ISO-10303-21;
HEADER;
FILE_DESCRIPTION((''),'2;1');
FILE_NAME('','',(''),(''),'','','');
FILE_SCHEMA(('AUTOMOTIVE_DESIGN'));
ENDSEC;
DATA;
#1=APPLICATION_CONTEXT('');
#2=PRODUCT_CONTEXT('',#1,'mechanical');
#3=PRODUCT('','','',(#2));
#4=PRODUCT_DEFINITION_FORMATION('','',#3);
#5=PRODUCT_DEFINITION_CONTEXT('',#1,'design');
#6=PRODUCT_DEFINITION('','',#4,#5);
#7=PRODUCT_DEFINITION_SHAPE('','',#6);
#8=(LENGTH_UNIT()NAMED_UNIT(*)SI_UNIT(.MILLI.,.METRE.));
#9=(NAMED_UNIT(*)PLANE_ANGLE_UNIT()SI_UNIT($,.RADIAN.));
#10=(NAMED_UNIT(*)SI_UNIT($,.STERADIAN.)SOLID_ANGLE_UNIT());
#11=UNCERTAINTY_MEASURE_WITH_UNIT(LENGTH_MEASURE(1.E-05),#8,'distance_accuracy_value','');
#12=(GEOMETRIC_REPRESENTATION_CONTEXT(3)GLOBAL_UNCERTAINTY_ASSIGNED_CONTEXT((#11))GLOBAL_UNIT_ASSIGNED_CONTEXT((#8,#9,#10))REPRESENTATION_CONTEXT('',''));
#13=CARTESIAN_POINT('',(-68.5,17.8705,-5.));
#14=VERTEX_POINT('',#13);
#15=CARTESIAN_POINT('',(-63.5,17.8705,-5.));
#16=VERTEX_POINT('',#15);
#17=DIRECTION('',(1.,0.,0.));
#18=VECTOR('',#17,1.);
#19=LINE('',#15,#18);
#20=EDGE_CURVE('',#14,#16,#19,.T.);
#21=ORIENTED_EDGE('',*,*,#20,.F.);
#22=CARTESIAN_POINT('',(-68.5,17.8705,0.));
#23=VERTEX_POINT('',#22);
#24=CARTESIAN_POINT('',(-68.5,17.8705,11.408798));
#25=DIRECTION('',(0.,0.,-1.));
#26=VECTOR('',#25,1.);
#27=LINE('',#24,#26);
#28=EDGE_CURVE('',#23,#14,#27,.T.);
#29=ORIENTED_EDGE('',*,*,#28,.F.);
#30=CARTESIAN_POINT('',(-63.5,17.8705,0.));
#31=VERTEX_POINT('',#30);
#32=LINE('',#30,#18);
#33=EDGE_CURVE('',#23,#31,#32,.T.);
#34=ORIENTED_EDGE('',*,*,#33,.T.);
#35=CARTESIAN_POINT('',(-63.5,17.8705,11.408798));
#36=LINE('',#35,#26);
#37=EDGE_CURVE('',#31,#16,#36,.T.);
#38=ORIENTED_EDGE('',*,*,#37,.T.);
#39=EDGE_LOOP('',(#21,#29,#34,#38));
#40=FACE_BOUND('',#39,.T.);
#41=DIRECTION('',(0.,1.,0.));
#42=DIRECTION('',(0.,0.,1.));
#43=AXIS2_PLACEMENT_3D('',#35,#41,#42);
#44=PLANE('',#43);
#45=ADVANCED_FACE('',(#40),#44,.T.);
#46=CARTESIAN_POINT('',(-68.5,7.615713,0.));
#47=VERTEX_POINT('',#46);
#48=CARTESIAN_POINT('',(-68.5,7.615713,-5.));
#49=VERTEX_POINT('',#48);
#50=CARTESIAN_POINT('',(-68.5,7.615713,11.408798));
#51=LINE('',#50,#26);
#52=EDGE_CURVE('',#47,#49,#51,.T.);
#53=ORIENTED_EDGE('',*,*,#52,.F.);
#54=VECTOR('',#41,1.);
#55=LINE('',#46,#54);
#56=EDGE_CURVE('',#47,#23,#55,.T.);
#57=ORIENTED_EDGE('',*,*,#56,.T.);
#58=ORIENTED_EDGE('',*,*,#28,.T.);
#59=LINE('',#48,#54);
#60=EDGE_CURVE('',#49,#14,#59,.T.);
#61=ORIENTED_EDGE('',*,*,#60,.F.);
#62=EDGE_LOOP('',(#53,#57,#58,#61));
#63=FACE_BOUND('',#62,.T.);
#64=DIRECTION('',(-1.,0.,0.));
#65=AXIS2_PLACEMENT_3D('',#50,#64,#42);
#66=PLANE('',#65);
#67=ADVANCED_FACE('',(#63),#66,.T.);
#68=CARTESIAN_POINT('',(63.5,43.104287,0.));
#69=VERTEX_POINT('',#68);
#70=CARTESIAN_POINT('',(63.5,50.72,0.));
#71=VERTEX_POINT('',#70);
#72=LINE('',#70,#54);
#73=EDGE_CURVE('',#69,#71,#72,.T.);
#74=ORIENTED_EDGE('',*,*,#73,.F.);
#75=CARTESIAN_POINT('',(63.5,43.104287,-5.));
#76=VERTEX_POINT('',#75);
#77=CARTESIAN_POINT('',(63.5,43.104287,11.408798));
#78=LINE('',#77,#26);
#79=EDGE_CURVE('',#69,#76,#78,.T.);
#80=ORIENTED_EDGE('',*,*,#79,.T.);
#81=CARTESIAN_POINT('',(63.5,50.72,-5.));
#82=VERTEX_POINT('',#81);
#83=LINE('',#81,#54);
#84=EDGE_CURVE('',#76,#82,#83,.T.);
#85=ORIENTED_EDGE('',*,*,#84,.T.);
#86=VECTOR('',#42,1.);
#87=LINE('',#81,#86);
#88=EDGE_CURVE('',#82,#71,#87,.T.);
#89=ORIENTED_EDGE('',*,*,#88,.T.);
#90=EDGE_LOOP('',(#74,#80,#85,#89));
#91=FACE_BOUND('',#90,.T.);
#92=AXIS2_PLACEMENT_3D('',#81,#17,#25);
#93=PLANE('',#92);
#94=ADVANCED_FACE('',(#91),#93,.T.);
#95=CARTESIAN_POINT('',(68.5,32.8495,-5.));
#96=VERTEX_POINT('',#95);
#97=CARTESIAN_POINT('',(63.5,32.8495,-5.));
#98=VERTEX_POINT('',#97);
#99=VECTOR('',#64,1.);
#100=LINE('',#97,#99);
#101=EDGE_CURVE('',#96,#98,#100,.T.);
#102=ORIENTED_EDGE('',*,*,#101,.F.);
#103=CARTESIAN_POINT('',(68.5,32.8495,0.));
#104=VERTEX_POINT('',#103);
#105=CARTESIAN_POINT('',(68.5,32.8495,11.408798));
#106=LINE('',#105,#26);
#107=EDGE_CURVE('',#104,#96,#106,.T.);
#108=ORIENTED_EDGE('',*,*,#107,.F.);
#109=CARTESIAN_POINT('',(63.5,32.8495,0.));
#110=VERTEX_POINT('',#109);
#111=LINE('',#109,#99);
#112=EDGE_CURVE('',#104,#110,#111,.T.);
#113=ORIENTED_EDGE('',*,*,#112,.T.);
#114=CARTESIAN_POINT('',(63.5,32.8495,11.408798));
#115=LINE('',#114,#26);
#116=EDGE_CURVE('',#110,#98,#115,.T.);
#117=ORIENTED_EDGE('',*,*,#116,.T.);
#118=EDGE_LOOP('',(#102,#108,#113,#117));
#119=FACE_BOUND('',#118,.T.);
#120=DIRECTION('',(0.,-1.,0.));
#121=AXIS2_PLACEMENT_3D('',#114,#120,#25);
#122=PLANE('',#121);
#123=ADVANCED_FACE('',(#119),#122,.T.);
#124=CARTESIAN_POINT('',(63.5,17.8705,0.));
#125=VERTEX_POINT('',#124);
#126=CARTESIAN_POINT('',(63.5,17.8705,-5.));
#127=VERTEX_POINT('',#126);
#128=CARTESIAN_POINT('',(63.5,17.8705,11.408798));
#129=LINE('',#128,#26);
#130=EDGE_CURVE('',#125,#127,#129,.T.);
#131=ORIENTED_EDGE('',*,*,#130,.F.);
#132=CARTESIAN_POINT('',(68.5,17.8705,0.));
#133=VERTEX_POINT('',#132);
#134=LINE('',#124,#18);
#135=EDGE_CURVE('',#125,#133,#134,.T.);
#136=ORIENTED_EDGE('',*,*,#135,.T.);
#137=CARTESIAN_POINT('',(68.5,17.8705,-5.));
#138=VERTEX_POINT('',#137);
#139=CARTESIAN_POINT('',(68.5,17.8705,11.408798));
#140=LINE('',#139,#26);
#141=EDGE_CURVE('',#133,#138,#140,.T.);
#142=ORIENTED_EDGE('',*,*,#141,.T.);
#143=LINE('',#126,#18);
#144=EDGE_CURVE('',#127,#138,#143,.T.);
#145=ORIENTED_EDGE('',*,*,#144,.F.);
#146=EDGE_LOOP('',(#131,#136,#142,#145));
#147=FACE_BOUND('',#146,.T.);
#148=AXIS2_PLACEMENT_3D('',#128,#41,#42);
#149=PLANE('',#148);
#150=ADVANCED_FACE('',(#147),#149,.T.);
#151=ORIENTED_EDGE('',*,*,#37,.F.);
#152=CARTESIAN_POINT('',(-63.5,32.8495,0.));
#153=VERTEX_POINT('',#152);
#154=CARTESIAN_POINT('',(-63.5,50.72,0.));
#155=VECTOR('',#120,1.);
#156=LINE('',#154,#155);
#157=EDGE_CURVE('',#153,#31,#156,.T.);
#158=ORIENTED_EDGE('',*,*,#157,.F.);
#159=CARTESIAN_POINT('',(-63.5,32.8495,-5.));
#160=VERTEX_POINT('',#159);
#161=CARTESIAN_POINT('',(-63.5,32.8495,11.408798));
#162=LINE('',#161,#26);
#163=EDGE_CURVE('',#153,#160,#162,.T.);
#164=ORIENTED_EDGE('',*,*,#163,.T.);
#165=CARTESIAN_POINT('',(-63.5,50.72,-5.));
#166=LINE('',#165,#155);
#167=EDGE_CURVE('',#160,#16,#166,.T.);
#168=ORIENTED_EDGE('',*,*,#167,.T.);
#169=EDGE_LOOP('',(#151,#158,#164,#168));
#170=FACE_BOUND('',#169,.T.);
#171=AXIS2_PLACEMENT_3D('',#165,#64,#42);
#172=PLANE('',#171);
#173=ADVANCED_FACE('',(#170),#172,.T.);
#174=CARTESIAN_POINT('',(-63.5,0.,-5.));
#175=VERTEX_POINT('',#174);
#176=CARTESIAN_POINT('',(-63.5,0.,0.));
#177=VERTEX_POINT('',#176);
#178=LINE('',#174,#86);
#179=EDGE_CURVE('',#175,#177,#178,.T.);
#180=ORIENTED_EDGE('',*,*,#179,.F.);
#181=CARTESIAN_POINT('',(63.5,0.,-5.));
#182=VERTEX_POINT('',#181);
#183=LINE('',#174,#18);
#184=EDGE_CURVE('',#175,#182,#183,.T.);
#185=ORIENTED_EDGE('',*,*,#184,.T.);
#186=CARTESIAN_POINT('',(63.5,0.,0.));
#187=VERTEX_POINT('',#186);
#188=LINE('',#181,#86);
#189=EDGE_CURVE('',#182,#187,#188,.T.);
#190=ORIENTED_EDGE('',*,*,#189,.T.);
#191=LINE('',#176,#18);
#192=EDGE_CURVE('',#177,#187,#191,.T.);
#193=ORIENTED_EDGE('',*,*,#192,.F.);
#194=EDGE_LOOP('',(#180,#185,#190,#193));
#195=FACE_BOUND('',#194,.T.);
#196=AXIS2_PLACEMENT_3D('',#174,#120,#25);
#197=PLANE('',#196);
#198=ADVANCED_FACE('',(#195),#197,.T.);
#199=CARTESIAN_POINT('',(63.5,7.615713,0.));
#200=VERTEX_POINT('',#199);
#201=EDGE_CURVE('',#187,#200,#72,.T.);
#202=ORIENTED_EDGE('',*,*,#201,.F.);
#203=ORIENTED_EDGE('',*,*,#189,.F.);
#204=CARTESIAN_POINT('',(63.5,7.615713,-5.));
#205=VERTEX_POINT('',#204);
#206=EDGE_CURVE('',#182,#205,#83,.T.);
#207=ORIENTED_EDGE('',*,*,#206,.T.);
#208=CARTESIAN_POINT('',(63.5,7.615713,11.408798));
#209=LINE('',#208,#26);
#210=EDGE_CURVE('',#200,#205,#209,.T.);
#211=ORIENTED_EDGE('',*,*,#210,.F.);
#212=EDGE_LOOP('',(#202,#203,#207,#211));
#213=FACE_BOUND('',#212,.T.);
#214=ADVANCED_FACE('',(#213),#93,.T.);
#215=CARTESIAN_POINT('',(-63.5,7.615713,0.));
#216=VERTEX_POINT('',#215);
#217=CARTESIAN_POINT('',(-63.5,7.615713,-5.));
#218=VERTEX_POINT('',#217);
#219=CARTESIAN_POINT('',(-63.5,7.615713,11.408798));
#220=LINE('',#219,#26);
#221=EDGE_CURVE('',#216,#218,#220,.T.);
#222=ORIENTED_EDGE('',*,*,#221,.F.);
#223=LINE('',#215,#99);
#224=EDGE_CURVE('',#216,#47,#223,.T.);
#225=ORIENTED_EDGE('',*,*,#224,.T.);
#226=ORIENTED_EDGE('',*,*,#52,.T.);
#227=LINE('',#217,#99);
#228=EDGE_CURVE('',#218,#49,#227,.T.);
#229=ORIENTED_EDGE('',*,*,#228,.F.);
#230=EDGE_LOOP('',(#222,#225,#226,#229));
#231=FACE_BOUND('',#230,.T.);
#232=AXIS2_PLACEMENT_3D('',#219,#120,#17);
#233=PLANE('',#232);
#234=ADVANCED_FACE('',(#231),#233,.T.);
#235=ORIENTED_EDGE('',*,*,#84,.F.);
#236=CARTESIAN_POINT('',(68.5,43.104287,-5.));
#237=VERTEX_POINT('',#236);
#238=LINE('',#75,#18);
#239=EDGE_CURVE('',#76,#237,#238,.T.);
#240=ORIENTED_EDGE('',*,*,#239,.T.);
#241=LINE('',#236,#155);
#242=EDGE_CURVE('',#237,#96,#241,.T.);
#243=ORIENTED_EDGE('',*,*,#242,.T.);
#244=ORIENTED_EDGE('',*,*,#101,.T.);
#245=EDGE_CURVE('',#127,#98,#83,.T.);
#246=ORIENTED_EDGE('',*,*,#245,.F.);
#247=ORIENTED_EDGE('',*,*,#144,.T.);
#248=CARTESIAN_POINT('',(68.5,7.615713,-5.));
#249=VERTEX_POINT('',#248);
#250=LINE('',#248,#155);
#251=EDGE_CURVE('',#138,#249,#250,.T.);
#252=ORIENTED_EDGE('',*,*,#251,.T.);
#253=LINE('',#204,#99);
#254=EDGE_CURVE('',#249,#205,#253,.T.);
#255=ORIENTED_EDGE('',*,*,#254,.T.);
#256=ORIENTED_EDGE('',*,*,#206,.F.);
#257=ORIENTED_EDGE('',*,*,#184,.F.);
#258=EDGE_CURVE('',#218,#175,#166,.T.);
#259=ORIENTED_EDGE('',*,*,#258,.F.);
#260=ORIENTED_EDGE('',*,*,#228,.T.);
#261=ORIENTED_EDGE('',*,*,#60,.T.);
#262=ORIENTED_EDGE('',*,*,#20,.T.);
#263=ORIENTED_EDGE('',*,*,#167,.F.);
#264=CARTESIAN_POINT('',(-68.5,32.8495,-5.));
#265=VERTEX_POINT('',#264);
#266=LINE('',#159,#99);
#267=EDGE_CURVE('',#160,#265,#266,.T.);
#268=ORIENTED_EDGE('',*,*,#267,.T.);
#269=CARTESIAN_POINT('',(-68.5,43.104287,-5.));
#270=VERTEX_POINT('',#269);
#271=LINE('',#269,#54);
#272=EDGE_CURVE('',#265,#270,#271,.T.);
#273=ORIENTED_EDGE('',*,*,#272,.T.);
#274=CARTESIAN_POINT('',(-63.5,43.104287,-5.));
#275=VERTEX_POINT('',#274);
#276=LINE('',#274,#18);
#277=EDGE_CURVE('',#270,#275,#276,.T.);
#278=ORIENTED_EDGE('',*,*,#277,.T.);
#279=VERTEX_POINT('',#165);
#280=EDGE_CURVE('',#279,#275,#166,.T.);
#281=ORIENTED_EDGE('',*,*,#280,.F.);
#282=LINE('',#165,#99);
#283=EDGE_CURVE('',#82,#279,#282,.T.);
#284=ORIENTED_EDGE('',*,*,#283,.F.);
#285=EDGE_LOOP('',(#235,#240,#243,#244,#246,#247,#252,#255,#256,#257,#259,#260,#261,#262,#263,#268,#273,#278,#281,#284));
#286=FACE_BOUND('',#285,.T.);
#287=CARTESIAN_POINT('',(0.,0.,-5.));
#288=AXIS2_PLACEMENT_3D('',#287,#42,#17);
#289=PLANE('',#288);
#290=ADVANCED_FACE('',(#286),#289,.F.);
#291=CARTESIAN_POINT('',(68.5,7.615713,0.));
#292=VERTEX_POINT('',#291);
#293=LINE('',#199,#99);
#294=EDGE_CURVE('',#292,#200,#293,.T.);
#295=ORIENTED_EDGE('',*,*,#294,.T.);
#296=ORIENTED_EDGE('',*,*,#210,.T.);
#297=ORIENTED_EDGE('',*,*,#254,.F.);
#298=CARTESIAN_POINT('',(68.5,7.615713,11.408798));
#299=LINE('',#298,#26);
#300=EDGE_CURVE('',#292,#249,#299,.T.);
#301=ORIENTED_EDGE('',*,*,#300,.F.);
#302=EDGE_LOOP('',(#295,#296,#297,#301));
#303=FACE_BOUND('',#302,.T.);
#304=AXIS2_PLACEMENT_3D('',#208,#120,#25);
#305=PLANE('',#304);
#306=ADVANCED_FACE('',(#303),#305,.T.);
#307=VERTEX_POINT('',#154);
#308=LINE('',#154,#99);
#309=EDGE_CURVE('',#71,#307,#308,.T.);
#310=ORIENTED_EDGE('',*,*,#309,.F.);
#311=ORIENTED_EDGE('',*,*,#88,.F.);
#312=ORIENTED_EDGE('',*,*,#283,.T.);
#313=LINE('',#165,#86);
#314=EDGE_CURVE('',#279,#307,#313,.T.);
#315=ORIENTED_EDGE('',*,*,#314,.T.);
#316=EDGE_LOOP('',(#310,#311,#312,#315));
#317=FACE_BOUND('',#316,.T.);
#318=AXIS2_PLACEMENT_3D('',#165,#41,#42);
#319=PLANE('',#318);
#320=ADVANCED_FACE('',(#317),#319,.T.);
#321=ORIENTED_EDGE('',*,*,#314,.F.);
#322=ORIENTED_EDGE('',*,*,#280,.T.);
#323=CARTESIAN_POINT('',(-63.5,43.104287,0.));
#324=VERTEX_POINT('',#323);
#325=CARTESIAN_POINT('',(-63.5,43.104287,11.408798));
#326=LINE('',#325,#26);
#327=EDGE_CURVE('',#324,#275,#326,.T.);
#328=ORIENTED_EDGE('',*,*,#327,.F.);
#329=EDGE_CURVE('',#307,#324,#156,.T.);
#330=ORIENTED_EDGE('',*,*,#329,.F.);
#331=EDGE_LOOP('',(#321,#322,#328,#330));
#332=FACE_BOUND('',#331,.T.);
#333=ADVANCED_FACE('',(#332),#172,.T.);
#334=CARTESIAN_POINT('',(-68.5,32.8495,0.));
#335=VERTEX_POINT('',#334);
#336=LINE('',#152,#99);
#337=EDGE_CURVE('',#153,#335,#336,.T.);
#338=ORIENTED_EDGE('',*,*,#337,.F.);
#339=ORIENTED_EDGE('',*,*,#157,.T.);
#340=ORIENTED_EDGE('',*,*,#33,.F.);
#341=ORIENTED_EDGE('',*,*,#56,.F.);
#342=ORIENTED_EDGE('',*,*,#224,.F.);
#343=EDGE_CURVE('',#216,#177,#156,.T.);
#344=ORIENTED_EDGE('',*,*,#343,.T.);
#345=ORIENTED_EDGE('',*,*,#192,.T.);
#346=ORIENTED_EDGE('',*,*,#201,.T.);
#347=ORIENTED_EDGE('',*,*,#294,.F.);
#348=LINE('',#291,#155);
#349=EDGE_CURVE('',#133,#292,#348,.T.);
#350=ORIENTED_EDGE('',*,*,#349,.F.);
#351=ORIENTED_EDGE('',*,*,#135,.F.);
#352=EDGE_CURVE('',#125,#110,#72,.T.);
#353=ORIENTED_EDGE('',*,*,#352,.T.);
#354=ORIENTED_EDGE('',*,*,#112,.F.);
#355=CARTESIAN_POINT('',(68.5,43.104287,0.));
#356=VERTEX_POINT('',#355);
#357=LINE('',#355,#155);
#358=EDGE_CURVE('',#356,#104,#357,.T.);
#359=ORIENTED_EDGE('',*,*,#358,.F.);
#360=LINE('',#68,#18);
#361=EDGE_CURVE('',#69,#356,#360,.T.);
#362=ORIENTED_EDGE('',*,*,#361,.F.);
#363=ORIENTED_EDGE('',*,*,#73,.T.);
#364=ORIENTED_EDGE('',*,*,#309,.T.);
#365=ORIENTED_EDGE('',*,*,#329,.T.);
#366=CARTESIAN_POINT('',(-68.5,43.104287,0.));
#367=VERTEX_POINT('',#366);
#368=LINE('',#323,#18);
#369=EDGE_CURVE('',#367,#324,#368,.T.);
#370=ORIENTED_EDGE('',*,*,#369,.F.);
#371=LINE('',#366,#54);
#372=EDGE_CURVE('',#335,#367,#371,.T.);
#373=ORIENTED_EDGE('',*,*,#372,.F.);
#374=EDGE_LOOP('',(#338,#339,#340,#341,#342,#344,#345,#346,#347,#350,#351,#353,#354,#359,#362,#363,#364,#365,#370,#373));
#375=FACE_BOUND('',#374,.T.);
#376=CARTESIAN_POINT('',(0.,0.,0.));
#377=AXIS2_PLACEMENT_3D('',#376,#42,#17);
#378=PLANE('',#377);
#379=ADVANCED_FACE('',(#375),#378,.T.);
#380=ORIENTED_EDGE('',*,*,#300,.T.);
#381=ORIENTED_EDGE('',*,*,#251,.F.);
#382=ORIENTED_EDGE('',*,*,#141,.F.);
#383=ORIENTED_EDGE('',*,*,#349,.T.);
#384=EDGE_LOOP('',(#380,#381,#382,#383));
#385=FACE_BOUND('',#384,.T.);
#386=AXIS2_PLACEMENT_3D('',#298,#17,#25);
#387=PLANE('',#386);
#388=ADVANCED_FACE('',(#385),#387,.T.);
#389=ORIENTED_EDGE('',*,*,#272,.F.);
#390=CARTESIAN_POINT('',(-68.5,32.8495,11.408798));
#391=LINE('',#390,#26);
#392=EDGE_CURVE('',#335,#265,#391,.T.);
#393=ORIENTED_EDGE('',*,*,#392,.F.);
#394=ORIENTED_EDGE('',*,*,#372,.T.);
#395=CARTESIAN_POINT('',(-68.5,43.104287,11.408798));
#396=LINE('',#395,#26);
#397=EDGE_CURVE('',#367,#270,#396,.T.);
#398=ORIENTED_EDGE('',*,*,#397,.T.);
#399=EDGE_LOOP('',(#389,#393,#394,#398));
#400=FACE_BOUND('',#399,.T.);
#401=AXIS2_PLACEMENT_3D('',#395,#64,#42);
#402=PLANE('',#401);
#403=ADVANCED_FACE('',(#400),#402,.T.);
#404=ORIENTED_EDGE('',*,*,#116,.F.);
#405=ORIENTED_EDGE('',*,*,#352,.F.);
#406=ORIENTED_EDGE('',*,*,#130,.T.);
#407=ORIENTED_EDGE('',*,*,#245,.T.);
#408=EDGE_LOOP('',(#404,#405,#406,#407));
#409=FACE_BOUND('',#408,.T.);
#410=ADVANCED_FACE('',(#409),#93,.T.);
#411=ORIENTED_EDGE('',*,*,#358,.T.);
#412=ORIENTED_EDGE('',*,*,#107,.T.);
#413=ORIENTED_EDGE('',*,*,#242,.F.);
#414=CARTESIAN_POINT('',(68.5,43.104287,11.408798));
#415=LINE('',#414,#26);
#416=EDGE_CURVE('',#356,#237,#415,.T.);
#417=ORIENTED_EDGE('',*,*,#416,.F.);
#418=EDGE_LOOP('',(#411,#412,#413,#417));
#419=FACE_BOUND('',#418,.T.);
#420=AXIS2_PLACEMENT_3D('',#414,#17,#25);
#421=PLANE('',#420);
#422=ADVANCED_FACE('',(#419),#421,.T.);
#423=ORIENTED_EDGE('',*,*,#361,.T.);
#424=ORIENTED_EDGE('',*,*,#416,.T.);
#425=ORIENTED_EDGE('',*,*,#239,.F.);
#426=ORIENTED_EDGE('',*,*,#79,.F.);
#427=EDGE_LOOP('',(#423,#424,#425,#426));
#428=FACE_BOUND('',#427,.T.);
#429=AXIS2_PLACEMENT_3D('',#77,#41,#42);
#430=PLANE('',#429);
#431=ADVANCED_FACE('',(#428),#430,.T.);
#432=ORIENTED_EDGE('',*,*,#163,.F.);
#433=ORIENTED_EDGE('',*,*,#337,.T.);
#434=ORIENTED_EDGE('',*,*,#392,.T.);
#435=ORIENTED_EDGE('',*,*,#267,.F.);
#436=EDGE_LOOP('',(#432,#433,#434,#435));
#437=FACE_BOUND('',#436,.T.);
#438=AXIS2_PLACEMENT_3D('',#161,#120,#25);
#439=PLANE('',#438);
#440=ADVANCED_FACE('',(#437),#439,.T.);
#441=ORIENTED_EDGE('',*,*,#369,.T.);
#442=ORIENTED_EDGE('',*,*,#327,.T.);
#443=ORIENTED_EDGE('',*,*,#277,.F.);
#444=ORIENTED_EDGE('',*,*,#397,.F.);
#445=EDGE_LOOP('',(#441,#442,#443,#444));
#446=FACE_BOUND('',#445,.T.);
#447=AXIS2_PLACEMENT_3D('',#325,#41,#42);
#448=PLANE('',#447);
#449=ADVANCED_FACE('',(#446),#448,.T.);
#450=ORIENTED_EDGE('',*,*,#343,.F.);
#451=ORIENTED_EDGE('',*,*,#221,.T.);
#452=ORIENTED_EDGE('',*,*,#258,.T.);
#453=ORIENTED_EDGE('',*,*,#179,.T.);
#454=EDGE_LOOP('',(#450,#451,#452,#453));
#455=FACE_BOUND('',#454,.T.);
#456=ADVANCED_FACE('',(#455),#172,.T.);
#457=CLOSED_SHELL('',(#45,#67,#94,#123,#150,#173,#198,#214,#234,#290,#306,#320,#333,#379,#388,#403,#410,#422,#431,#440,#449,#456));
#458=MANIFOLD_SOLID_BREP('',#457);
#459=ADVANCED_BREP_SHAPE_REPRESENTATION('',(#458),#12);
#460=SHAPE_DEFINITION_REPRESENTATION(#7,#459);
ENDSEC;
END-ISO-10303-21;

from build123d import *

# Parameters (mm, degrees)
SKETCH1_W           = 127
SKETCH1_H           = 50.719999906
BOSS_EXTRUDE1_DEPTH = 5
SKETCH2_W           = 5
SKETCH2_H           = 10.254787301
BOSS_EXTRUDE2_DEPTH = 5


with BuildPart() as part:
    # Sketch1 → Boss-Extrude1 (new body)
    with BuildSketch(Plane.XY):
        with Locations((0, 25.359999953)):
            Rectangle(SKETCH1_W, SKETCH1_H)
    extrude(amount=-BOSS_EXTRUDE1_DEPTH)

    # Sketch2 → Boss-Extrude2 (add)
    with BuildSketch(Plane(origin=(0, 0, -5), x_dir=(-1, 0, 0), z_dir=(0, 0, -1))):
        with Locations((-66, 12.743106261)):
            Rectangle(SKETCH2_W, SKETCH2_H)
        with Locations((-66, 37.976893645)):
            Rectangle(SKETCH2_W, SKETCH2_H)
        with Locations((66, 12.743106261)):
            Rectangle(SKETCH2_W, SKETCH2_H)
        with Locations((66, 37.976893645)):
            Rectangle(SKETCH2_W, SKETCH2_H)
    extrude(amount=-BOSS_EXTRUDE2_DEPTH)


solid = part.part
